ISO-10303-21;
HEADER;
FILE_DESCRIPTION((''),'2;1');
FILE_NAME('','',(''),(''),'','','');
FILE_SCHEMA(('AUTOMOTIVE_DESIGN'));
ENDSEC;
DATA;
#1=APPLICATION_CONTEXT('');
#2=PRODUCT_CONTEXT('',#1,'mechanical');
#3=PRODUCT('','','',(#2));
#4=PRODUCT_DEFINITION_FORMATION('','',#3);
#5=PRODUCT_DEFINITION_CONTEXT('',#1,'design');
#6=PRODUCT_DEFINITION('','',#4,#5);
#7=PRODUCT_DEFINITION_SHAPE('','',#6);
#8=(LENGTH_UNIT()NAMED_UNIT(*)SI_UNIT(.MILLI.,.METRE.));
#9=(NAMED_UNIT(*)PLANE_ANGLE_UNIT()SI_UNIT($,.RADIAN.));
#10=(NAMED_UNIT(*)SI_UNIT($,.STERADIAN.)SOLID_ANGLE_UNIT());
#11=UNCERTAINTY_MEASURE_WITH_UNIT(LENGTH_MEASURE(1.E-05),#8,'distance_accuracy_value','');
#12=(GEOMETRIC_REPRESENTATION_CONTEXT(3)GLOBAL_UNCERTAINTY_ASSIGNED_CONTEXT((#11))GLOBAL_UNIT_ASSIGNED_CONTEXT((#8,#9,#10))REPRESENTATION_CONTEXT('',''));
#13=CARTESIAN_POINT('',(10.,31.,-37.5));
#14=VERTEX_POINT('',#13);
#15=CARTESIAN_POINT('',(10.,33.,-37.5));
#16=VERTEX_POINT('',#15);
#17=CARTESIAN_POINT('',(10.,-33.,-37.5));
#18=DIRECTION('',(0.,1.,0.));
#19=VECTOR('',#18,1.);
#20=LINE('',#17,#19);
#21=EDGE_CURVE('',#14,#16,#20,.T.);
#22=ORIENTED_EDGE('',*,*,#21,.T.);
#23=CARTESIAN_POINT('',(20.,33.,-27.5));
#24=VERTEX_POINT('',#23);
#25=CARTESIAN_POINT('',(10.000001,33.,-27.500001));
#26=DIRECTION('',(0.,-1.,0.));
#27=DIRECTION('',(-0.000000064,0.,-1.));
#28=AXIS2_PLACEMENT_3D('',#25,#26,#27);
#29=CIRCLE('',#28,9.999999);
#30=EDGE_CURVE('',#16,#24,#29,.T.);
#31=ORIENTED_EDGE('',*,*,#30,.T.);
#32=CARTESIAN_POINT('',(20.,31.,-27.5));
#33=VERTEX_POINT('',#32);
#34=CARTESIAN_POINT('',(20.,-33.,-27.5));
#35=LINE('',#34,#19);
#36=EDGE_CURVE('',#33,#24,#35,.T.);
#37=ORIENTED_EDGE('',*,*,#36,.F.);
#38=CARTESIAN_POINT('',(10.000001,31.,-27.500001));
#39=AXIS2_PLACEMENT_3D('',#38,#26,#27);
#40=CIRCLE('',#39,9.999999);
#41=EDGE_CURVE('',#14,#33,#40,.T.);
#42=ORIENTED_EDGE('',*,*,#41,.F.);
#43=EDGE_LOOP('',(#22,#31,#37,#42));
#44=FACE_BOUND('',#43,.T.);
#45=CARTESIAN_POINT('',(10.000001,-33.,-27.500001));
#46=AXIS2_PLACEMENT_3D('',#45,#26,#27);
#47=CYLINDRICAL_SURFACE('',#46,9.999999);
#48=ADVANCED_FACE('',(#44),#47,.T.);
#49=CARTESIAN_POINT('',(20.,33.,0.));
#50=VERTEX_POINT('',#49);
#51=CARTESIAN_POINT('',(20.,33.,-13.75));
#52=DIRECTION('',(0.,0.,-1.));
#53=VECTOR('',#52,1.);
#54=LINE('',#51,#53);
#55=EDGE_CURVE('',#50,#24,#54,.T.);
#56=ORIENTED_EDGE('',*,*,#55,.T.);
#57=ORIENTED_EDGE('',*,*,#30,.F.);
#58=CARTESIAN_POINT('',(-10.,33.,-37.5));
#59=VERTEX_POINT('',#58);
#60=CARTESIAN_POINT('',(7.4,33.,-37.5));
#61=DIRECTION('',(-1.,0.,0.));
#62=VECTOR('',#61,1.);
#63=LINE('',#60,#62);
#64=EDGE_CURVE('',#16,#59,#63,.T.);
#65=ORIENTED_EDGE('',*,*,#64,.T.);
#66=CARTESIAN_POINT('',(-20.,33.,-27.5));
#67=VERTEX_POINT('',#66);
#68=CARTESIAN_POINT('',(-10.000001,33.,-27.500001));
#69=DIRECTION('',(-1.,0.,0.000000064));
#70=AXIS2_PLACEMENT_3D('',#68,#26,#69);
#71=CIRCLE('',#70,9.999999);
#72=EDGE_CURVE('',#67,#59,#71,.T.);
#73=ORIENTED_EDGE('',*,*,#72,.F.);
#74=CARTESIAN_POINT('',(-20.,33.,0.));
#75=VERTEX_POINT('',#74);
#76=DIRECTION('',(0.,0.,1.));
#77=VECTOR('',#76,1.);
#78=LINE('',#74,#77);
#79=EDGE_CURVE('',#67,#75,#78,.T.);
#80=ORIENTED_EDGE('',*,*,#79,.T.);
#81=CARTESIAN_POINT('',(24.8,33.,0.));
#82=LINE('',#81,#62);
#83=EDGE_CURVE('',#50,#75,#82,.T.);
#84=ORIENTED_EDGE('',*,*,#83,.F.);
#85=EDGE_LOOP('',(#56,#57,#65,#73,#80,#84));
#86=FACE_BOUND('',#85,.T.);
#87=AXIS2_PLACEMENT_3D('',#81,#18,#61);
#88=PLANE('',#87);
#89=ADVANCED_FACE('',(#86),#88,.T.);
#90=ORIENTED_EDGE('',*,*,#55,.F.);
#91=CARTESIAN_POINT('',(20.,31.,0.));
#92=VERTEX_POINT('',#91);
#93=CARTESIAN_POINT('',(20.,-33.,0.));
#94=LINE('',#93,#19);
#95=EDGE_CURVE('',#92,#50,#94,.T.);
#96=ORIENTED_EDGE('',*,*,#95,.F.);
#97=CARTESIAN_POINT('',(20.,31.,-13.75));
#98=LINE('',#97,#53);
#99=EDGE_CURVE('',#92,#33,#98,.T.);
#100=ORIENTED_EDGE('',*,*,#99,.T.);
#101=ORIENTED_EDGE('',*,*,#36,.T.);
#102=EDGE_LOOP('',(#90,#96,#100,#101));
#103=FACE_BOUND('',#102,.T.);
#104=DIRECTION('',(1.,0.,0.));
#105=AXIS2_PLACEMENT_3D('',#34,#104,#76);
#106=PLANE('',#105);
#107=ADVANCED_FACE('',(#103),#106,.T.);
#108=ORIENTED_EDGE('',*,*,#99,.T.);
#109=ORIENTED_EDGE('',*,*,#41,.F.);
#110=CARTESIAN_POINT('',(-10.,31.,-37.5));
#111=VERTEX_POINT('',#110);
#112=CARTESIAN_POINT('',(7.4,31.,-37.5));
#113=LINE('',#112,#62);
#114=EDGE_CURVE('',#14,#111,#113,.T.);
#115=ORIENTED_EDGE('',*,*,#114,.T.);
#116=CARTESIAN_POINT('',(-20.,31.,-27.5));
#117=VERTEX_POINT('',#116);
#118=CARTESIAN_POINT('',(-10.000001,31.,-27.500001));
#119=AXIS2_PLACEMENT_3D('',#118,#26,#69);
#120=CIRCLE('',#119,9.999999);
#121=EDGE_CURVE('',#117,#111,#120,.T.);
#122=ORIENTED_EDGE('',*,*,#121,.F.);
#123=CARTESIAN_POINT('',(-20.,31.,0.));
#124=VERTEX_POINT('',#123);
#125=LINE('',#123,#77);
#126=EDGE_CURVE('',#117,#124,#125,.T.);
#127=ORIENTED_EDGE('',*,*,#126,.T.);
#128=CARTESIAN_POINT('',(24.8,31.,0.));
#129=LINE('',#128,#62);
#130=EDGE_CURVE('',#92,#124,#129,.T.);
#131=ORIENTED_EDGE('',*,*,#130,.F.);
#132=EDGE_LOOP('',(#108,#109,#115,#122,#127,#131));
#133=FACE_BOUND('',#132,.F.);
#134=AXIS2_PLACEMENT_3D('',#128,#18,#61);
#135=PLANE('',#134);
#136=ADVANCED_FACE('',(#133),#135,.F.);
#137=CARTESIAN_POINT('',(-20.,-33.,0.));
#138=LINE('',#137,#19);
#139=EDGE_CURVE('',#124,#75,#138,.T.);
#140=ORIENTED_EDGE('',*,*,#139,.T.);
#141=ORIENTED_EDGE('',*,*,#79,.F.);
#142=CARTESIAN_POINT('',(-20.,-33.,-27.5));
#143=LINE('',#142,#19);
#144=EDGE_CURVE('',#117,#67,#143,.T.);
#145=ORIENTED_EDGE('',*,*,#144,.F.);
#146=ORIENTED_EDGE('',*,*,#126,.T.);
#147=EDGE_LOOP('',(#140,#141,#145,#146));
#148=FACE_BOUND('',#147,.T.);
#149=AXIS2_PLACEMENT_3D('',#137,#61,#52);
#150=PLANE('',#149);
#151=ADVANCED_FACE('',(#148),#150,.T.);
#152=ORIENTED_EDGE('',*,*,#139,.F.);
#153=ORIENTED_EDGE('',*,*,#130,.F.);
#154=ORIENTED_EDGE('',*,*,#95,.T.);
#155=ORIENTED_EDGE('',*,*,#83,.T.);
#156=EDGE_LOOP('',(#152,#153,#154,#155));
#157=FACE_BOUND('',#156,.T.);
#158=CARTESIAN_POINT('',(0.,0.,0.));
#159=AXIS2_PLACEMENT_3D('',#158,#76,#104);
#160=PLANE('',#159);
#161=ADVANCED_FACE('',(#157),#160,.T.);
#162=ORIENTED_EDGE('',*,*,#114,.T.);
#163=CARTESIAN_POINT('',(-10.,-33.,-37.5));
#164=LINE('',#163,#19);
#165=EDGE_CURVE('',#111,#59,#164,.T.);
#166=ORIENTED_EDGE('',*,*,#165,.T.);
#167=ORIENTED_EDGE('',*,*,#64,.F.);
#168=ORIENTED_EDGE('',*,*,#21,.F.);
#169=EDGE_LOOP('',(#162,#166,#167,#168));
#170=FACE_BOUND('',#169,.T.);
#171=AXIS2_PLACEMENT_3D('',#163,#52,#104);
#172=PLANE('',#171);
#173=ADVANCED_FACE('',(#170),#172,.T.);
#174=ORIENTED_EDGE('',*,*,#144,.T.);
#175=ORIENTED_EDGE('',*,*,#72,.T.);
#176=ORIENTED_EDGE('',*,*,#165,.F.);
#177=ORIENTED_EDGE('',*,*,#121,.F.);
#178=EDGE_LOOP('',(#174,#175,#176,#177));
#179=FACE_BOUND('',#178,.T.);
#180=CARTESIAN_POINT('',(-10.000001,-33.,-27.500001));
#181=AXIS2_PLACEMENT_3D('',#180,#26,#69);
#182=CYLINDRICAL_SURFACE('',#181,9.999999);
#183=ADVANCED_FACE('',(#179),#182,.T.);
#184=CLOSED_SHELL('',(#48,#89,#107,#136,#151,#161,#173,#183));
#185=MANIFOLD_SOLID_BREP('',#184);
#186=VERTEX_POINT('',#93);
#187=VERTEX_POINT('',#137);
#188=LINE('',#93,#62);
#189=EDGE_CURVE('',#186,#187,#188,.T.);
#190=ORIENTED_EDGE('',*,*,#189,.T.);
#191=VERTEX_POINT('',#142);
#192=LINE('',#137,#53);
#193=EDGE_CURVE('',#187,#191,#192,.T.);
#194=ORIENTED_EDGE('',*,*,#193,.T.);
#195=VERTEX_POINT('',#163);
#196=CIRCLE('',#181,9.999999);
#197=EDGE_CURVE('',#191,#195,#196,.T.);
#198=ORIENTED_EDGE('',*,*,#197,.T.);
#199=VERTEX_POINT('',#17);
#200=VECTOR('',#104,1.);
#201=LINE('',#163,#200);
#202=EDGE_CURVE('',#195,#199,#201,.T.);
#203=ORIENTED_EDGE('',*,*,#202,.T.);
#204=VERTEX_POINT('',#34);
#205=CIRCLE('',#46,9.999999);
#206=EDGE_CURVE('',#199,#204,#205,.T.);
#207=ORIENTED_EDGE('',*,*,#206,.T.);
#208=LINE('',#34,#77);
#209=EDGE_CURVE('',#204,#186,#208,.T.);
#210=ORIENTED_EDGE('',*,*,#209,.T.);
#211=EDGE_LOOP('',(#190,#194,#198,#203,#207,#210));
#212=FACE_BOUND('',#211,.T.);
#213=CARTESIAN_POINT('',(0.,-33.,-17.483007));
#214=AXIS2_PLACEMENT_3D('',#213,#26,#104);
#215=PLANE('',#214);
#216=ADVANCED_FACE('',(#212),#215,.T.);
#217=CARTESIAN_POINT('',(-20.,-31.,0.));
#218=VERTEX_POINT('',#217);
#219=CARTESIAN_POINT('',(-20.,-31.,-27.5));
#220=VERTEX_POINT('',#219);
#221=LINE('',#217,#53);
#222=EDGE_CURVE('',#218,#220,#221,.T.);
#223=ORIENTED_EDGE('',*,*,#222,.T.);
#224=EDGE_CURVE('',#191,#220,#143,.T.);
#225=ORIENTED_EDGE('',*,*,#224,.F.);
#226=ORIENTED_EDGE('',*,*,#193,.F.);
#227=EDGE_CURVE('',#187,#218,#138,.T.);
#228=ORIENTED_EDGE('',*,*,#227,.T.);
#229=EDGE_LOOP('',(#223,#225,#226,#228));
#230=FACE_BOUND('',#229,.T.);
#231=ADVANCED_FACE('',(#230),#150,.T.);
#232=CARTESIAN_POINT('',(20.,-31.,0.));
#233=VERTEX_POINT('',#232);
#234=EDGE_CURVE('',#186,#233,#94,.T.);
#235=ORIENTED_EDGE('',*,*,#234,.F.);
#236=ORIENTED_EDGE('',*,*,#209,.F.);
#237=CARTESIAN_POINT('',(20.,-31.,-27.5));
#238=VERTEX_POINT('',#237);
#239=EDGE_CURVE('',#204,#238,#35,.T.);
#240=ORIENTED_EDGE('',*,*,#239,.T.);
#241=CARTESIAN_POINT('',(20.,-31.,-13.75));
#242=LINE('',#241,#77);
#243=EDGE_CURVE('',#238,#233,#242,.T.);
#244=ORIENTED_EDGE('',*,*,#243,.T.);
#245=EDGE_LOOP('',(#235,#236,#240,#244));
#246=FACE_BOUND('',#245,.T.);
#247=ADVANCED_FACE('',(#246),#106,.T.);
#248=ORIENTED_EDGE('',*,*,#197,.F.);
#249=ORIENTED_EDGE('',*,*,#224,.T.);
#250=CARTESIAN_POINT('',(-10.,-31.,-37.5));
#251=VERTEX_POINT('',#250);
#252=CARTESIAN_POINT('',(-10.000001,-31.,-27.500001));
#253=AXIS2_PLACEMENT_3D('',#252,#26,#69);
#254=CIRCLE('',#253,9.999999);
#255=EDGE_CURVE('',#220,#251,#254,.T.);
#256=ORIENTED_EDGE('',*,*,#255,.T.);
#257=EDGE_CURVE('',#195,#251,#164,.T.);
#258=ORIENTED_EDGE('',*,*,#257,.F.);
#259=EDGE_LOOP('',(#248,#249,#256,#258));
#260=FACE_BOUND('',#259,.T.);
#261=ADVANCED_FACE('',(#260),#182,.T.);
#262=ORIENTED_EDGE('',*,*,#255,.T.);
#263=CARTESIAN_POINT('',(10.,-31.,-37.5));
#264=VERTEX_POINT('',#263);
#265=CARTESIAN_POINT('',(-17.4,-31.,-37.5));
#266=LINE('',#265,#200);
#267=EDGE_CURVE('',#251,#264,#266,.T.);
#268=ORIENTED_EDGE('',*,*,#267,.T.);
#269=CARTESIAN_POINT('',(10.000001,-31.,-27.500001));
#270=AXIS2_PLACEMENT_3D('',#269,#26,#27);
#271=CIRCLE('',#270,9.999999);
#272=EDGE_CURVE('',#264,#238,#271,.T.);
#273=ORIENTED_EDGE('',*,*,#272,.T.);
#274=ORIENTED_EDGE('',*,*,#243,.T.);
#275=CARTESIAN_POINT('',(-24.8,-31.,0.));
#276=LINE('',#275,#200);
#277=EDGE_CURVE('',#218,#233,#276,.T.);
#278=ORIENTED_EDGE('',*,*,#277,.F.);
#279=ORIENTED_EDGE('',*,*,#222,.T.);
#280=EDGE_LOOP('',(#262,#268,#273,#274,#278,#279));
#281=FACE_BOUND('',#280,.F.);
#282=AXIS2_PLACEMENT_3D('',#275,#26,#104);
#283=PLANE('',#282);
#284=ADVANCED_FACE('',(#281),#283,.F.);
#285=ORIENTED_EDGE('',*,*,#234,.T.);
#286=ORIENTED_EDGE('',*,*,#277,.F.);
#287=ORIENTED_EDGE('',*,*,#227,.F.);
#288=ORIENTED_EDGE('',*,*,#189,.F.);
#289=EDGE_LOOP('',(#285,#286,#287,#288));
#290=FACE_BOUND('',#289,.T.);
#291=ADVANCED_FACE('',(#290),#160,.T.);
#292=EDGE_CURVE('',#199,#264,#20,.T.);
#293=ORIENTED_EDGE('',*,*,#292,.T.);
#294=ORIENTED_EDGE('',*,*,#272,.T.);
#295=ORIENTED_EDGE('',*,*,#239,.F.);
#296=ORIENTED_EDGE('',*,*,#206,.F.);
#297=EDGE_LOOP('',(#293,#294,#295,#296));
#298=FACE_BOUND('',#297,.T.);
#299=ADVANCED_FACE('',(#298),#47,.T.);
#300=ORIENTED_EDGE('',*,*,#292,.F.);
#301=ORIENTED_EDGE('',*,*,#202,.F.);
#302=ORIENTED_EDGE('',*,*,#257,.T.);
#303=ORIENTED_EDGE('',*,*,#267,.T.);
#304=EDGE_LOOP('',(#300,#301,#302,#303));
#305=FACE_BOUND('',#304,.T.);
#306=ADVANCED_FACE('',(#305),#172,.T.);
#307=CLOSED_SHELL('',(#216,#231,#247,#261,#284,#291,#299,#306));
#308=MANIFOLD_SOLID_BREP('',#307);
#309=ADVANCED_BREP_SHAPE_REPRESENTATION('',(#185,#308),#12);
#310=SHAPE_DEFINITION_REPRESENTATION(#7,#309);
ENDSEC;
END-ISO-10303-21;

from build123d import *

# Parameters (mm, degrees)
F1_DEPTH  = 50
F2_R      = 5
F4_DEPTH  = 1
F5_T      = -2
F8_DEPTH  = 1
F10_COUNT = 4
F12_DEPTH = 66.001


with BuildPart() as f1:
    # F0 (on Top) → F1 (new body)
    with BuildSketch(Plane.XY):
        with BuildLine():
            Line((-24.8, -33), (24.8, -33))
            ThreePointArc((24.8, -33), (30.598276, -30.598276), (33, -24.8))
            Line((33, -24.8), (33, 24.8))
            ThreePointArc((33, 24.8), (30.598276, 30.598276), (24.8, 33))
            Line((24.8, 33), (-24.8, 33))
            ThreePointArc((-24.8, 33), (-30.598276, 30.598276), (-33, 24.8))
            Line((-33, 24.8), (-33, -24.8))
            ThreePointArc((-33, -24.8), (-30.598276, -30.598276), (-24.8, -33))
        make_face()
    extrude(amount=-F1_DEPTH)

    # F2
    f2_edges = [f1.edges().sort_by_distance(p)[0] for p in [
        (0, -33, -50),
    ]]
    fillet(f2_edges, radius=F2_R)

    # F3 (on face) → F4 (join)
    with BuildSketch(Plane(origin=(0, 0, -50), x_dir=(1, 0, 0), z_dir=(0, 0, -1))):
        with BuildLine():
            Line((-24.8, -28), (24.8, -28))
            ThreePointArc((24.8, -28), (27.062742, -27.062742), (28, -24.8))
            Line((28, -24.8), (28, 24.8))
            ThreePointArc((28, 24.8), (27.062742, 27.062742), (24.8, 28))
            Line((24.8, 28), (-24.8, 28))
            ThreePointArc((-24.8, 28), (-27.062742, 27.062742), (-28, 24.8))
            Line((-28, 24.8), (-28, -24.8))
            ThreePointArc((-28, -24.8), (-27.062742, -27.062742), (-24.8, -28))
        make_face()
        with BuildLine():
            ThreePointArc((24.8, 27), (26.355635, 26.355635), (27, 24.8))
            Line((27, 24.8), (27, -24.8))
            ThreePointArc((27, -24.8), (26.355635, -26.355635), (24.8, -27))
            Line((24.8, -27), (-24.8, -27))
            ThreePointArc((-24.8, -27), (-26.355635, -26.355635), (-27, -24.8))
            Line((-27, -24.8), (-27, 24.8))
            ThreePointArc((-27, 24.8), (-26.355635, 26.355635), (-24.8, 27))
            Line((-24.8, 27), (24.8, 27))
        make_face(mode=Mode.SUBTRACT)
    extrude(amount=F4_DEPTH)

    # F5
    f5_openings = [f1.faces().sort_by_distance(p)[0] for p in [
        (0, 0, 0),
    ]]
    offset(amount=F5_T, openings=f5_openings)

    # F7 (on offset) → F8 (cut)
    with BuildSketch(Plane.XY.offset(-3)):
        with BuildLine():
            Line((24.8, -32), (24.8, -33))
            ThreePointArc((24.8, -33), (30.598276, -30.598276), (33, -24.8))
            Line((33, -24.8), (32, -24.8))
            ThreePointArc((32, -24.8), (29.891169, -29.891169), (24.8, -32))
        make_face()
    extrude(amount=-F8_DEPTH, mode=Mode.SUBTRACT)


with BuildPart() as f10_1:
    # F10: instance of F1
    add(f1.part.rotate(Axis((0, 0, 5.949285), (0, 0, 1)), 1 * 360 / F10_COUNT))


with BuildPart() as f10_2:
    # F10: instance of F1
    add(f1.part.rotate(Axis((0, 0, 5.949285), (0, 0, 1)), 2 * 360 / F10_COUNT))


with BuildPart() as f10_3:
    # F10: instance of F1
    add(f1.part.rotate(Axis((0, 0, 5.949285), (0, 0, 1)), 3 * 360 / F10_COUNT))


with BuildPart() as f12_tool:
    # F11 (on face) → F12 (new body, through all)
    with BuildSketch(Plane.XZ.offset(33)):
        with BuildLine():
            Line((-10, -37.5), (10, -37.5))
            ThreePointArc((10, -37.5), (17.071068, -34.571068), (20, -27.5))
            Line((20, -27.5), (20, 0))
            Line((20, 0), (0, 0))
            Line((0, 0), (-20, 0))
            Line((-20, 0), (-20, -27.5))
            ThreePointArc((-20, -27.5), (-17.071068, -34.571068), (-10, -37.5))
        make_face()
    extrude(amount=-F12_DEPTH)


with BuildPart() as f1_1:
    add(f1.part)

    # F12: intersect by f12_tool
    add(f12_tool.part, mode=Mode.INTERSECT)


with BuildPart() as f10_1_1:
    add(f10_1.part)

    # F12: intersect by f12_tool
    add(f12_tool.part, mode=Mode.INTERSECT)


with BuildPart() as f10_2_1:
    add(f10_2.part)

    # F12: intersect by f12_tool
    add(f12_tool.part, mode=Mode.INTERSECT)


with BuildPart() as f10_3_1:
    add(f10_3.part)

    # F12: intersect by f12_tool
    add(f12_tool.part, mode=Mode.INTERSECT)


solid = f1_1.part
